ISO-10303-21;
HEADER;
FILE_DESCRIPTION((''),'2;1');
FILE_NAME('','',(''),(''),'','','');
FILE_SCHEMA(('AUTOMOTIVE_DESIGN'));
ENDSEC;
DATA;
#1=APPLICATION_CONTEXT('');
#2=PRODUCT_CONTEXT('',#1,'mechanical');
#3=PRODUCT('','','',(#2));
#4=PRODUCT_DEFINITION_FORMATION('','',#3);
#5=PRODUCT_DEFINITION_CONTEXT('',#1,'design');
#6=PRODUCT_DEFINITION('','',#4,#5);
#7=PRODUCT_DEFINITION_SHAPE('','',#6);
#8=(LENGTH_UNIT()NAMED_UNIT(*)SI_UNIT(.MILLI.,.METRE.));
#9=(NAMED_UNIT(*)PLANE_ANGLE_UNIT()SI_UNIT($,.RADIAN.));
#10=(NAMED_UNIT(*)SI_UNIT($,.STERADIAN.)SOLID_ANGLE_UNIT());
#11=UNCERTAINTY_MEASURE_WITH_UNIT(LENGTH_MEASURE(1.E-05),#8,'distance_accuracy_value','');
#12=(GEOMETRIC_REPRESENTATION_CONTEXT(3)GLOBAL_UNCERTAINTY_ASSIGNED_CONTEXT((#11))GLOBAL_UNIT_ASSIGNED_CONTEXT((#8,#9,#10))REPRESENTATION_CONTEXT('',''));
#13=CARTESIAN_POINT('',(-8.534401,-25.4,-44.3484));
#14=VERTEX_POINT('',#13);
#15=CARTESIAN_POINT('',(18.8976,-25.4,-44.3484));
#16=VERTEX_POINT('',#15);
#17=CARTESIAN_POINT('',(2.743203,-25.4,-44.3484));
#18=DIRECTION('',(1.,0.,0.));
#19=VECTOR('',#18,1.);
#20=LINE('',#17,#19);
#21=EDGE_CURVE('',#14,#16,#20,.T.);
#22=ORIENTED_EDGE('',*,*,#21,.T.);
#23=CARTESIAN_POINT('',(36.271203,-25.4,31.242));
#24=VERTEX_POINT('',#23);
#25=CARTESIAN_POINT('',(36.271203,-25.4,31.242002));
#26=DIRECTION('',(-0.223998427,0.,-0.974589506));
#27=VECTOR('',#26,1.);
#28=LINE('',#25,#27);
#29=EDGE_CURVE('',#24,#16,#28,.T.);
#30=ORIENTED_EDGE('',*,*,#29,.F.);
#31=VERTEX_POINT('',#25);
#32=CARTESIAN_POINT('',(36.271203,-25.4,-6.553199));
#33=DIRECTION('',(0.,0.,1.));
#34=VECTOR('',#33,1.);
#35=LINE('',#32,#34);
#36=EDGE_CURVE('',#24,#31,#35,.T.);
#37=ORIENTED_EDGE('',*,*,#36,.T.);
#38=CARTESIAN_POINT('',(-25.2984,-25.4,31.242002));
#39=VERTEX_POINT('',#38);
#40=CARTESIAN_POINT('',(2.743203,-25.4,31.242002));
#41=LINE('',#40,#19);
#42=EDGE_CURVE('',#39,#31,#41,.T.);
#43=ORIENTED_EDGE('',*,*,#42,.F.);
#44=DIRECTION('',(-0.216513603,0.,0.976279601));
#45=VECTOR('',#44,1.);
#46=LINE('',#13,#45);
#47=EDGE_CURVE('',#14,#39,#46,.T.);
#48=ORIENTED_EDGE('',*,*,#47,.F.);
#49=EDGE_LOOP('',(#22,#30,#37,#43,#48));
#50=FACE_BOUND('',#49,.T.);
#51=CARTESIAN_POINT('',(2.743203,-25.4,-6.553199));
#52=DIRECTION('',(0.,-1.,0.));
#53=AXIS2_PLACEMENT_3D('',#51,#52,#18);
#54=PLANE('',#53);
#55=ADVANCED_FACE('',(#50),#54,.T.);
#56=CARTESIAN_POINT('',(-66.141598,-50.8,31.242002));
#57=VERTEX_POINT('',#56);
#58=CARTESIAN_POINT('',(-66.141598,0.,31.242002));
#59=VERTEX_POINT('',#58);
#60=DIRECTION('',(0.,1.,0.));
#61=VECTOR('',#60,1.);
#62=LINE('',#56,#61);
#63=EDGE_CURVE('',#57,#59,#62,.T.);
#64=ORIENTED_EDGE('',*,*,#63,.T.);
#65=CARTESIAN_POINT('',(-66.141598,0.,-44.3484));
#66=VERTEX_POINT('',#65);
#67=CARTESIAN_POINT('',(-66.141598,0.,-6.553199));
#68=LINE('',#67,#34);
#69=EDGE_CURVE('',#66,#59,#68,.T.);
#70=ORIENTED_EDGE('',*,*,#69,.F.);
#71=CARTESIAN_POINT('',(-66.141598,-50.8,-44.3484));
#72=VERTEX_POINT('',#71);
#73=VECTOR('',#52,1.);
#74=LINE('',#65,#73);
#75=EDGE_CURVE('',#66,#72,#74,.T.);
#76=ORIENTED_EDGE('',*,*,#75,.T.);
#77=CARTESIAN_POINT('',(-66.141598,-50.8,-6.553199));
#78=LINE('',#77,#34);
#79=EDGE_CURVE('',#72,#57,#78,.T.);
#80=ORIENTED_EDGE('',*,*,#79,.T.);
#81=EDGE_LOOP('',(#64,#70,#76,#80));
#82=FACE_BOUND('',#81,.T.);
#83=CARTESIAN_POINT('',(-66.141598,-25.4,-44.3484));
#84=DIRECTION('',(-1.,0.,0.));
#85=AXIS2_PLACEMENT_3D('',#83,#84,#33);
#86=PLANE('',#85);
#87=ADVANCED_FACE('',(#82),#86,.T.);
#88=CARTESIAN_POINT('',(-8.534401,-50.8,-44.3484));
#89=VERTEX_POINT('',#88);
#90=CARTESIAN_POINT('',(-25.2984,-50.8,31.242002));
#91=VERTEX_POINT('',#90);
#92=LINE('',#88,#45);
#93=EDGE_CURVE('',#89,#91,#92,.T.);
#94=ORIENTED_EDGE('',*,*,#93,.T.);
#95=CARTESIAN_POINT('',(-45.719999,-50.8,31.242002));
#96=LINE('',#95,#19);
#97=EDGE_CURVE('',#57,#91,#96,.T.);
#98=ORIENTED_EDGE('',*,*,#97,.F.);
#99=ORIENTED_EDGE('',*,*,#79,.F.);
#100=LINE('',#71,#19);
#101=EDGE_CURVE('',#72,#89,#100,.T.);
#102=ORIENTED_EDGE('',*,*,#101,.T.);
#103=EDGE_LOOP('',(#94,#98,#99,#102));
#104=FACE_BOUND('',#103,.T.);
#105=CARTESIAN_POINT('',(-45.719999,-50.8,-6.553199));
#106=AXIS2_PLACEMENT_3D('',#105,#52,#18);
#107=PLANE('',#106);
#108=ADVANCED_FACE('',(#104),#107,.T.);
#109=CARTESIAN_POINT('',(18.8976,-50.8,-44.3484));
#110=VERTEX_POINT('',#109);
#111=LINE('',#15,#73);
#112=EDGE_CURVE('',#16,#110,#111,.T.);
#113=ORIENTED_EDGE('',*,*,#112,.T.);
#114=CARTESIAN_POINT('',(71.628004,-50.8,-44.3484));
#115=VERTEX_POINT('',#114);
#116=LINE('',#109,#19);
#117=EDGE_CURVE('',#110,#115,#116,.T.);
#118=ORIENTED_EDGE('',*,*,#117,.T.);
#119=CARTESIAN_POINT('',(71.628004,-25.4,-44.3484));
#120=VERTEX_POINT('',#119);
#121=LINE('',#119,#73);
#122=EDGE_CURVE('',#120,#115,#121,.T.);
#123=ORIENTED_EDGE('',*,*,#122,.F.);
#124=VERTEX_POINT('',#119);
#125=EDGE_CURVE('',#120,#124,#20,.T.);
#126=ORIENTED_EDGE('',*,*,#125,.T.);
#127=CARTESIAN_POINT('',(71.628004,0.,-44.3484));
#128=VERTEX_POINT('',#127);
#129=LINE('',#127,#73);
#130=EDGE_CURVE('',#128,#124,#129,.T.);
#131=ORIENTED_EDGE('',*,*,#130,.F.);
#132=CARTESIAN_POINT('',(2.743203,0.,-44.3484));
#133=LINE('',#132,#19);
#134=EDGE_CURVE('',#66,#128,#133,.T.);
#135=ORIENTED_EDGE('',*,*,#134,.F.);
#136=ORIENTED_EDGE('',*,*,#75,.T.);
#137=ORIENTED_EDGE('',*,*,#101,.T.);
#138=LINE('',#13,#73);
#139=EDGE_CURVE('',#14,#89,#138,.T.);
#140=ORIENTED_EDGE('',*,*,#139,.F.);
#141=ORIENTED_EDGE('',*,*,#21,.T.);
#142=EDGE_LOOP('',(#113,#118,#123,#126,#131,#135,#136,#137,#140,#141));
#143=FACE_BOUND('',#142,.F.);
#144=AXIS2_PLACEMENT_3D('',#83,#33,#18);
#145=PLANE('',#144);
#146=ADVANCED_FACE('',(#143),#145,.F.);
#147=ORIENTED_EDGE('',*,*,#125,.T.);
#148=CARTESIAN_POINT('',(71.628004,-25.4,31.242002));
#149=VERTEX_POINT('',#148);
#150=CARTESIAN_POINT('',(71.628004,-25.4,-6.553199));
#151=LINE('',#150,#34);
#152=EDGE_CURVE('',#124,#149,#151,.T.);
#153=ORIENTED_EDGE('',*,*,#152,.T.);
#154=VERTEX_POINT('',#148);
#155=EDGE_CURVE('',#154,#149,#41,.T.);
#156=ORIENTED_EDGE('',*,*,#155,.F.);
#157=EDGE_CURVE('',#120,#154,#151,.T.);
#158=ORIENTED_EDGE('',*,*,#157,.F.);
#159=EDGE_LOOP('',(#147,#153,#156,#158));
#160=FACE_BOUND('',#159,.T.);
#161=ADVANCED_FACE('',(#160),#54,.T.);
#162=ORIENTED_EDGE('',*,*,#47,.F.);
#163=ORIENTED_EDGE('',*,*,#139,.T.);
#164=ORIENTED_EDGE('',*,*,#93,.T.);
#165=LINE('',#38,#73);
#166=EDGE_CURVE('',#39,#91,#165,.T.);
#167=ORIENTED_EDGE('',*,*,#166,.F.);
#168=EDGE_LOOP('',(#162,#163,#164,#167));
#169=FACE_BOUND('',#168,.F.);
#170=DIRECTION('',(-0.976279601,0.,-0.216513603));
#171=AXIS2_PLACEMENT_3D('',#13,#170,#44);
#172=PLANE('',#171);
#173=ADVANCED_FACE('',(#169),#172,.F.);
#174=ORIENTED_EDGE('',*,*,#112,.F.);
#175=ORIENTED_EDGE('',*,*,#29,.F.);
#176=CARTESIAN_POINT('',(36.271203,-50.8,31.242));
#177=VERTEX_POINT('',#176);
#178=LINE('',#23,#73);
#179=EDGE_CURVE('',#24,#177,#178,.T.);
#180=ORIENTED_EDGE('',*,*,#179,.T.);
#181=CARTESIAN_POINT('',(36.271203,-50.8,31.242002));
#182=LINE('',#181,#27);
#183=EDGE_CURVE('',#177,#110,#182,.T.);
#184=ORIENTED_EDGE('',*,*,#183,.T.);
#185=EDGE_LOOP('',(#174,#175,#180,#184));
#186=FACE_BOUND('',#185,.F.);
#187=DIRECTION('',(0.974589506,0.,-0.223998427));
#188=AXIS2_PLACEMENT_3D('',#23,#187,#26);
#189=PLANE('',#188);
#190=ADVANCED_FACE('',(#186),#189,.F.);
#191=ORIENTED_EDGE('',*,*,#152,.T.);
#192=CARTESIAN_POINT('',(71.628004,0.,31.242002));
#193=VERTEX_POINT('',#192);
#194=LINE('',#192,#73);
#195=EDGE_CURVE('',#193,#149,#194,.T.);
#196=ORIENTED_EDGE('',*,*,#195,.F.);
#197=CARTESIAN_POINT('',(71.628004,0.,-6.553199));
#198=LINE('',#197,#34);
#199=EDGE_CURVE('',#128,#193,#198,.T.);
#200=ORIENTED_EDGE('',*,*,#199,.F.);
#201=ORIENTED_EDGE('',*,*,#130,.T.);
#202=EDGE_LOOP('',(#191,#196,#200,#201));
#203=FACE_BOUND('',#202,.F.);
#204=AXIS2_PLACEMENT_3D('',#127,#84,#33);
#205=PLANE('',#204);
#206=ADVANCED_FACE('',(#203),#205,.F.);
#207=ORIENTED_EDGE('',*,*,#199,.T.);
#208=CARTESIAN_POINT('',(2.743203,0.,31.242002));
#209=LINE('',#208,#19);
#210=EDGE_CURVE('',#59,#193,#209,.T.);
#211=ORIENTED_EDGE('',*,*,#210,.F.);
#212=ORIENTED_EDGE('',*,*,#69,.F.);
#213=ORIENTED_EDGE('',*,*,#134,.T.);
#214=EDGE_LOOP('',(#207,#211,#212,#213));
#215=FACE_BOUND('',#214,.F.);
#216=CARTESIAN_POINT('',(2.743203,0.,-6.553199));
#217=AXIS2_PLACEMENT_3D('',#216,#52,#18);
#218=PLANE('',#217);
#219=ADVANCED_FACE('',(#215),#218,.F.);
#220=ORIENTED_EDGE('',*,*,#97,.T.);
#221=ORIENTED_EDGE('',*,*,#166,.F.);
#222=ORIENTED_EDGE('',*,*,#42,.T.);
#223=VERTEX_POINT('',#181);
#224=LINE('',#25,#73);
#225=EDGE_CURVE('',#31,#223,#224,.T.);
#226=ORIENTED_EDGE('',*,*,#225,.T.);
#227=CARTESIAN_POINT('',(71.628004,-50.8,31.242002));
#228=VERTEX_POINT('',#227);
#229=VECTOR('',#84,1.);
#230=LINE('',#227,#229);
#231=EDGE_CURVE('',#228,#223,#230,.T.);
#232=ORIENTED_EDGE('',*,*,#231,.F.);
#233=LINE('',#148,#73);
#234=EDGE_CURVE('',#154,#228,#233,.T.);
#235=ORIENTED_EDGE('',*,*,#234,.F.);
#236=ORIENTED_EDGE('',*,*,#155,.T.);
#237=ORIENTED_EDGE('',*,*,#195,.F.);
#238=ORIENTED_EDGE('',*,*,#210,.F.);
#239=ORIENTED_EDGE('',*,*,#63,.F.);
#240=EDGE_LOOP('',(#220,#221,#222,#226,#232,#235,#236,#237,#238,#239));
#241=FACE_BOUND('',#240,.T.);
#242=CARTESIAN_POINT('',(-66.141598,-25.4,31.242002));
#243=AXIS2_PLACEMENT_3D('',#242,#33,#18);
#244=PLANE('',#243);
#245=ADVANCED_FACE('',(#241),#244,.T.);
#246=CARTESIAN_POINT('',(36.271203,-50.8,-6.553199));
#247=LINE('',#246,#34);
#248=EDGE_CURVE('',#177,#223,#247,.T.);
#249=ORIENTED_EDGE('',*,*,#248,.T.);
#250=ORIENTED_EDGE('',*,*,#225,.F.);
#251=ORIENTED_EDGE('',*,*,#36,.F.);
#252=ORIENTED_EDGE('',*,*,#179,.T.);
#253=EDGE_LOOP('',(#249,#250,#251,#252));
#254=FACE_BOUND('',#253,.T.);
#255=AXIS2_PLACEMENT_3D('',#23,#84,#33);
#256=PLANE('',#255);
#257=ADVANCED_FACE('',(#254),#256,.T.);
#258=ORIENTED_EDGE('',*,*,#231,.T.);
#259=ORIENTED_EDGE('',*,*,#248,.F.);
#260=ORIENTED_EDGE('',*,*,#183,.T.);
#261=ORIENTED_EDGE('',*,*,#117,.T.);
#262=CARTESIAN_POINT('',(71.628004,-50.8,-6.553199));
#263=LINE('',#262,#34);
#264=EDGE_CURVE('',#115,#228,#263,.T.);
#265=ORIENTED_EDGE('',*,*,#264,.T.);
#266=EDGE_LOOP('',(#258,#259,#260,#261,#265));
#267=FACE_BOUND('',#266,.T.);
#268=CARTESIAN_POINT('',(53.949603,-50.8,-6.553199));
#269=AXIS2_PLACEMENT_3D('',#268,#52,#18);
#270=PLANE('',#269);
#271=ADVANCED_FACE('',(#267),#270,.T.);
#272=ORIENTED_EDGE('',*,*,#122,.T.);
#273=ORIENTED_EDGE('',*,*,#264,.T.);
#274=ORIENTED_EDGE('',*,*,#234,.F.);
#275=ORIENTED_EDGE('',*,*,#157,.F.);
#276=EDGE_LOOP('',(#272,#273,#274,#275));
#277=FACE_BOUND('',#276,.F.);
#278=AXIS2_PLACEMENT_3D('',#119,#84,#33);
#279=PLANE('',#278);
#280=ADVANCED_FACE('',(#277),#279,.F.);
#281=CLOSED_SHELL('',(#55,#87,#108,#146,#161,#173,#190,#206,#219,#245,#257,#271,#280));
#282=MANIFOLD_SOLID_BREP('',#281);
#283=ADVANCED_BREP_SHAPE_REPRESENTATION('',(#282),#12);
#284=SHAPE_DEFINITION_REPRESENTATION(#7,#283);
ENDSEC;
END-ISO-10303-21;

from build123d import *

# Parameters (mm, degrees)
F0_W     = 137.769602
F0_H     = 75.590402
F1_DEPTH = 25.4
F2_W     = 40.843198
F2_H     = 75.590402
F2_W_2   = 35.356801
F3_DEPTH = 25.4


with BuildPart() as f1:
    # F0 (on Front) → F1 (new body)
    with BuildSketch(Plane.XZ):
        with Locations((2.743203, -6.553199)):
            Rectangle(F0_W, F0_H)
    extrude(amount=F1_DEPTH)

    # F2 (on face) → F3 (join)
    with BuildSketch(Plane.XZ.offset(25.4)):
        with Locations((-45.719999, -6.553199)):
            Rectangle(F2_W, F2_H)
        Polygon((-8.534401, -44.3484), (-25.2984, 31.242002), (-25.2984, -44.3484), align=None)
        with Locations((53.949603, -6.553199)):
            Rectangle(F2_W_2, F2_H)
        Polygon((36.271203, -44.3484), (36.271203, 31.242002), (18.8976, -44.3484), align=None)
    extrude(amount=F3_DEPTH)


solid = f1.part
